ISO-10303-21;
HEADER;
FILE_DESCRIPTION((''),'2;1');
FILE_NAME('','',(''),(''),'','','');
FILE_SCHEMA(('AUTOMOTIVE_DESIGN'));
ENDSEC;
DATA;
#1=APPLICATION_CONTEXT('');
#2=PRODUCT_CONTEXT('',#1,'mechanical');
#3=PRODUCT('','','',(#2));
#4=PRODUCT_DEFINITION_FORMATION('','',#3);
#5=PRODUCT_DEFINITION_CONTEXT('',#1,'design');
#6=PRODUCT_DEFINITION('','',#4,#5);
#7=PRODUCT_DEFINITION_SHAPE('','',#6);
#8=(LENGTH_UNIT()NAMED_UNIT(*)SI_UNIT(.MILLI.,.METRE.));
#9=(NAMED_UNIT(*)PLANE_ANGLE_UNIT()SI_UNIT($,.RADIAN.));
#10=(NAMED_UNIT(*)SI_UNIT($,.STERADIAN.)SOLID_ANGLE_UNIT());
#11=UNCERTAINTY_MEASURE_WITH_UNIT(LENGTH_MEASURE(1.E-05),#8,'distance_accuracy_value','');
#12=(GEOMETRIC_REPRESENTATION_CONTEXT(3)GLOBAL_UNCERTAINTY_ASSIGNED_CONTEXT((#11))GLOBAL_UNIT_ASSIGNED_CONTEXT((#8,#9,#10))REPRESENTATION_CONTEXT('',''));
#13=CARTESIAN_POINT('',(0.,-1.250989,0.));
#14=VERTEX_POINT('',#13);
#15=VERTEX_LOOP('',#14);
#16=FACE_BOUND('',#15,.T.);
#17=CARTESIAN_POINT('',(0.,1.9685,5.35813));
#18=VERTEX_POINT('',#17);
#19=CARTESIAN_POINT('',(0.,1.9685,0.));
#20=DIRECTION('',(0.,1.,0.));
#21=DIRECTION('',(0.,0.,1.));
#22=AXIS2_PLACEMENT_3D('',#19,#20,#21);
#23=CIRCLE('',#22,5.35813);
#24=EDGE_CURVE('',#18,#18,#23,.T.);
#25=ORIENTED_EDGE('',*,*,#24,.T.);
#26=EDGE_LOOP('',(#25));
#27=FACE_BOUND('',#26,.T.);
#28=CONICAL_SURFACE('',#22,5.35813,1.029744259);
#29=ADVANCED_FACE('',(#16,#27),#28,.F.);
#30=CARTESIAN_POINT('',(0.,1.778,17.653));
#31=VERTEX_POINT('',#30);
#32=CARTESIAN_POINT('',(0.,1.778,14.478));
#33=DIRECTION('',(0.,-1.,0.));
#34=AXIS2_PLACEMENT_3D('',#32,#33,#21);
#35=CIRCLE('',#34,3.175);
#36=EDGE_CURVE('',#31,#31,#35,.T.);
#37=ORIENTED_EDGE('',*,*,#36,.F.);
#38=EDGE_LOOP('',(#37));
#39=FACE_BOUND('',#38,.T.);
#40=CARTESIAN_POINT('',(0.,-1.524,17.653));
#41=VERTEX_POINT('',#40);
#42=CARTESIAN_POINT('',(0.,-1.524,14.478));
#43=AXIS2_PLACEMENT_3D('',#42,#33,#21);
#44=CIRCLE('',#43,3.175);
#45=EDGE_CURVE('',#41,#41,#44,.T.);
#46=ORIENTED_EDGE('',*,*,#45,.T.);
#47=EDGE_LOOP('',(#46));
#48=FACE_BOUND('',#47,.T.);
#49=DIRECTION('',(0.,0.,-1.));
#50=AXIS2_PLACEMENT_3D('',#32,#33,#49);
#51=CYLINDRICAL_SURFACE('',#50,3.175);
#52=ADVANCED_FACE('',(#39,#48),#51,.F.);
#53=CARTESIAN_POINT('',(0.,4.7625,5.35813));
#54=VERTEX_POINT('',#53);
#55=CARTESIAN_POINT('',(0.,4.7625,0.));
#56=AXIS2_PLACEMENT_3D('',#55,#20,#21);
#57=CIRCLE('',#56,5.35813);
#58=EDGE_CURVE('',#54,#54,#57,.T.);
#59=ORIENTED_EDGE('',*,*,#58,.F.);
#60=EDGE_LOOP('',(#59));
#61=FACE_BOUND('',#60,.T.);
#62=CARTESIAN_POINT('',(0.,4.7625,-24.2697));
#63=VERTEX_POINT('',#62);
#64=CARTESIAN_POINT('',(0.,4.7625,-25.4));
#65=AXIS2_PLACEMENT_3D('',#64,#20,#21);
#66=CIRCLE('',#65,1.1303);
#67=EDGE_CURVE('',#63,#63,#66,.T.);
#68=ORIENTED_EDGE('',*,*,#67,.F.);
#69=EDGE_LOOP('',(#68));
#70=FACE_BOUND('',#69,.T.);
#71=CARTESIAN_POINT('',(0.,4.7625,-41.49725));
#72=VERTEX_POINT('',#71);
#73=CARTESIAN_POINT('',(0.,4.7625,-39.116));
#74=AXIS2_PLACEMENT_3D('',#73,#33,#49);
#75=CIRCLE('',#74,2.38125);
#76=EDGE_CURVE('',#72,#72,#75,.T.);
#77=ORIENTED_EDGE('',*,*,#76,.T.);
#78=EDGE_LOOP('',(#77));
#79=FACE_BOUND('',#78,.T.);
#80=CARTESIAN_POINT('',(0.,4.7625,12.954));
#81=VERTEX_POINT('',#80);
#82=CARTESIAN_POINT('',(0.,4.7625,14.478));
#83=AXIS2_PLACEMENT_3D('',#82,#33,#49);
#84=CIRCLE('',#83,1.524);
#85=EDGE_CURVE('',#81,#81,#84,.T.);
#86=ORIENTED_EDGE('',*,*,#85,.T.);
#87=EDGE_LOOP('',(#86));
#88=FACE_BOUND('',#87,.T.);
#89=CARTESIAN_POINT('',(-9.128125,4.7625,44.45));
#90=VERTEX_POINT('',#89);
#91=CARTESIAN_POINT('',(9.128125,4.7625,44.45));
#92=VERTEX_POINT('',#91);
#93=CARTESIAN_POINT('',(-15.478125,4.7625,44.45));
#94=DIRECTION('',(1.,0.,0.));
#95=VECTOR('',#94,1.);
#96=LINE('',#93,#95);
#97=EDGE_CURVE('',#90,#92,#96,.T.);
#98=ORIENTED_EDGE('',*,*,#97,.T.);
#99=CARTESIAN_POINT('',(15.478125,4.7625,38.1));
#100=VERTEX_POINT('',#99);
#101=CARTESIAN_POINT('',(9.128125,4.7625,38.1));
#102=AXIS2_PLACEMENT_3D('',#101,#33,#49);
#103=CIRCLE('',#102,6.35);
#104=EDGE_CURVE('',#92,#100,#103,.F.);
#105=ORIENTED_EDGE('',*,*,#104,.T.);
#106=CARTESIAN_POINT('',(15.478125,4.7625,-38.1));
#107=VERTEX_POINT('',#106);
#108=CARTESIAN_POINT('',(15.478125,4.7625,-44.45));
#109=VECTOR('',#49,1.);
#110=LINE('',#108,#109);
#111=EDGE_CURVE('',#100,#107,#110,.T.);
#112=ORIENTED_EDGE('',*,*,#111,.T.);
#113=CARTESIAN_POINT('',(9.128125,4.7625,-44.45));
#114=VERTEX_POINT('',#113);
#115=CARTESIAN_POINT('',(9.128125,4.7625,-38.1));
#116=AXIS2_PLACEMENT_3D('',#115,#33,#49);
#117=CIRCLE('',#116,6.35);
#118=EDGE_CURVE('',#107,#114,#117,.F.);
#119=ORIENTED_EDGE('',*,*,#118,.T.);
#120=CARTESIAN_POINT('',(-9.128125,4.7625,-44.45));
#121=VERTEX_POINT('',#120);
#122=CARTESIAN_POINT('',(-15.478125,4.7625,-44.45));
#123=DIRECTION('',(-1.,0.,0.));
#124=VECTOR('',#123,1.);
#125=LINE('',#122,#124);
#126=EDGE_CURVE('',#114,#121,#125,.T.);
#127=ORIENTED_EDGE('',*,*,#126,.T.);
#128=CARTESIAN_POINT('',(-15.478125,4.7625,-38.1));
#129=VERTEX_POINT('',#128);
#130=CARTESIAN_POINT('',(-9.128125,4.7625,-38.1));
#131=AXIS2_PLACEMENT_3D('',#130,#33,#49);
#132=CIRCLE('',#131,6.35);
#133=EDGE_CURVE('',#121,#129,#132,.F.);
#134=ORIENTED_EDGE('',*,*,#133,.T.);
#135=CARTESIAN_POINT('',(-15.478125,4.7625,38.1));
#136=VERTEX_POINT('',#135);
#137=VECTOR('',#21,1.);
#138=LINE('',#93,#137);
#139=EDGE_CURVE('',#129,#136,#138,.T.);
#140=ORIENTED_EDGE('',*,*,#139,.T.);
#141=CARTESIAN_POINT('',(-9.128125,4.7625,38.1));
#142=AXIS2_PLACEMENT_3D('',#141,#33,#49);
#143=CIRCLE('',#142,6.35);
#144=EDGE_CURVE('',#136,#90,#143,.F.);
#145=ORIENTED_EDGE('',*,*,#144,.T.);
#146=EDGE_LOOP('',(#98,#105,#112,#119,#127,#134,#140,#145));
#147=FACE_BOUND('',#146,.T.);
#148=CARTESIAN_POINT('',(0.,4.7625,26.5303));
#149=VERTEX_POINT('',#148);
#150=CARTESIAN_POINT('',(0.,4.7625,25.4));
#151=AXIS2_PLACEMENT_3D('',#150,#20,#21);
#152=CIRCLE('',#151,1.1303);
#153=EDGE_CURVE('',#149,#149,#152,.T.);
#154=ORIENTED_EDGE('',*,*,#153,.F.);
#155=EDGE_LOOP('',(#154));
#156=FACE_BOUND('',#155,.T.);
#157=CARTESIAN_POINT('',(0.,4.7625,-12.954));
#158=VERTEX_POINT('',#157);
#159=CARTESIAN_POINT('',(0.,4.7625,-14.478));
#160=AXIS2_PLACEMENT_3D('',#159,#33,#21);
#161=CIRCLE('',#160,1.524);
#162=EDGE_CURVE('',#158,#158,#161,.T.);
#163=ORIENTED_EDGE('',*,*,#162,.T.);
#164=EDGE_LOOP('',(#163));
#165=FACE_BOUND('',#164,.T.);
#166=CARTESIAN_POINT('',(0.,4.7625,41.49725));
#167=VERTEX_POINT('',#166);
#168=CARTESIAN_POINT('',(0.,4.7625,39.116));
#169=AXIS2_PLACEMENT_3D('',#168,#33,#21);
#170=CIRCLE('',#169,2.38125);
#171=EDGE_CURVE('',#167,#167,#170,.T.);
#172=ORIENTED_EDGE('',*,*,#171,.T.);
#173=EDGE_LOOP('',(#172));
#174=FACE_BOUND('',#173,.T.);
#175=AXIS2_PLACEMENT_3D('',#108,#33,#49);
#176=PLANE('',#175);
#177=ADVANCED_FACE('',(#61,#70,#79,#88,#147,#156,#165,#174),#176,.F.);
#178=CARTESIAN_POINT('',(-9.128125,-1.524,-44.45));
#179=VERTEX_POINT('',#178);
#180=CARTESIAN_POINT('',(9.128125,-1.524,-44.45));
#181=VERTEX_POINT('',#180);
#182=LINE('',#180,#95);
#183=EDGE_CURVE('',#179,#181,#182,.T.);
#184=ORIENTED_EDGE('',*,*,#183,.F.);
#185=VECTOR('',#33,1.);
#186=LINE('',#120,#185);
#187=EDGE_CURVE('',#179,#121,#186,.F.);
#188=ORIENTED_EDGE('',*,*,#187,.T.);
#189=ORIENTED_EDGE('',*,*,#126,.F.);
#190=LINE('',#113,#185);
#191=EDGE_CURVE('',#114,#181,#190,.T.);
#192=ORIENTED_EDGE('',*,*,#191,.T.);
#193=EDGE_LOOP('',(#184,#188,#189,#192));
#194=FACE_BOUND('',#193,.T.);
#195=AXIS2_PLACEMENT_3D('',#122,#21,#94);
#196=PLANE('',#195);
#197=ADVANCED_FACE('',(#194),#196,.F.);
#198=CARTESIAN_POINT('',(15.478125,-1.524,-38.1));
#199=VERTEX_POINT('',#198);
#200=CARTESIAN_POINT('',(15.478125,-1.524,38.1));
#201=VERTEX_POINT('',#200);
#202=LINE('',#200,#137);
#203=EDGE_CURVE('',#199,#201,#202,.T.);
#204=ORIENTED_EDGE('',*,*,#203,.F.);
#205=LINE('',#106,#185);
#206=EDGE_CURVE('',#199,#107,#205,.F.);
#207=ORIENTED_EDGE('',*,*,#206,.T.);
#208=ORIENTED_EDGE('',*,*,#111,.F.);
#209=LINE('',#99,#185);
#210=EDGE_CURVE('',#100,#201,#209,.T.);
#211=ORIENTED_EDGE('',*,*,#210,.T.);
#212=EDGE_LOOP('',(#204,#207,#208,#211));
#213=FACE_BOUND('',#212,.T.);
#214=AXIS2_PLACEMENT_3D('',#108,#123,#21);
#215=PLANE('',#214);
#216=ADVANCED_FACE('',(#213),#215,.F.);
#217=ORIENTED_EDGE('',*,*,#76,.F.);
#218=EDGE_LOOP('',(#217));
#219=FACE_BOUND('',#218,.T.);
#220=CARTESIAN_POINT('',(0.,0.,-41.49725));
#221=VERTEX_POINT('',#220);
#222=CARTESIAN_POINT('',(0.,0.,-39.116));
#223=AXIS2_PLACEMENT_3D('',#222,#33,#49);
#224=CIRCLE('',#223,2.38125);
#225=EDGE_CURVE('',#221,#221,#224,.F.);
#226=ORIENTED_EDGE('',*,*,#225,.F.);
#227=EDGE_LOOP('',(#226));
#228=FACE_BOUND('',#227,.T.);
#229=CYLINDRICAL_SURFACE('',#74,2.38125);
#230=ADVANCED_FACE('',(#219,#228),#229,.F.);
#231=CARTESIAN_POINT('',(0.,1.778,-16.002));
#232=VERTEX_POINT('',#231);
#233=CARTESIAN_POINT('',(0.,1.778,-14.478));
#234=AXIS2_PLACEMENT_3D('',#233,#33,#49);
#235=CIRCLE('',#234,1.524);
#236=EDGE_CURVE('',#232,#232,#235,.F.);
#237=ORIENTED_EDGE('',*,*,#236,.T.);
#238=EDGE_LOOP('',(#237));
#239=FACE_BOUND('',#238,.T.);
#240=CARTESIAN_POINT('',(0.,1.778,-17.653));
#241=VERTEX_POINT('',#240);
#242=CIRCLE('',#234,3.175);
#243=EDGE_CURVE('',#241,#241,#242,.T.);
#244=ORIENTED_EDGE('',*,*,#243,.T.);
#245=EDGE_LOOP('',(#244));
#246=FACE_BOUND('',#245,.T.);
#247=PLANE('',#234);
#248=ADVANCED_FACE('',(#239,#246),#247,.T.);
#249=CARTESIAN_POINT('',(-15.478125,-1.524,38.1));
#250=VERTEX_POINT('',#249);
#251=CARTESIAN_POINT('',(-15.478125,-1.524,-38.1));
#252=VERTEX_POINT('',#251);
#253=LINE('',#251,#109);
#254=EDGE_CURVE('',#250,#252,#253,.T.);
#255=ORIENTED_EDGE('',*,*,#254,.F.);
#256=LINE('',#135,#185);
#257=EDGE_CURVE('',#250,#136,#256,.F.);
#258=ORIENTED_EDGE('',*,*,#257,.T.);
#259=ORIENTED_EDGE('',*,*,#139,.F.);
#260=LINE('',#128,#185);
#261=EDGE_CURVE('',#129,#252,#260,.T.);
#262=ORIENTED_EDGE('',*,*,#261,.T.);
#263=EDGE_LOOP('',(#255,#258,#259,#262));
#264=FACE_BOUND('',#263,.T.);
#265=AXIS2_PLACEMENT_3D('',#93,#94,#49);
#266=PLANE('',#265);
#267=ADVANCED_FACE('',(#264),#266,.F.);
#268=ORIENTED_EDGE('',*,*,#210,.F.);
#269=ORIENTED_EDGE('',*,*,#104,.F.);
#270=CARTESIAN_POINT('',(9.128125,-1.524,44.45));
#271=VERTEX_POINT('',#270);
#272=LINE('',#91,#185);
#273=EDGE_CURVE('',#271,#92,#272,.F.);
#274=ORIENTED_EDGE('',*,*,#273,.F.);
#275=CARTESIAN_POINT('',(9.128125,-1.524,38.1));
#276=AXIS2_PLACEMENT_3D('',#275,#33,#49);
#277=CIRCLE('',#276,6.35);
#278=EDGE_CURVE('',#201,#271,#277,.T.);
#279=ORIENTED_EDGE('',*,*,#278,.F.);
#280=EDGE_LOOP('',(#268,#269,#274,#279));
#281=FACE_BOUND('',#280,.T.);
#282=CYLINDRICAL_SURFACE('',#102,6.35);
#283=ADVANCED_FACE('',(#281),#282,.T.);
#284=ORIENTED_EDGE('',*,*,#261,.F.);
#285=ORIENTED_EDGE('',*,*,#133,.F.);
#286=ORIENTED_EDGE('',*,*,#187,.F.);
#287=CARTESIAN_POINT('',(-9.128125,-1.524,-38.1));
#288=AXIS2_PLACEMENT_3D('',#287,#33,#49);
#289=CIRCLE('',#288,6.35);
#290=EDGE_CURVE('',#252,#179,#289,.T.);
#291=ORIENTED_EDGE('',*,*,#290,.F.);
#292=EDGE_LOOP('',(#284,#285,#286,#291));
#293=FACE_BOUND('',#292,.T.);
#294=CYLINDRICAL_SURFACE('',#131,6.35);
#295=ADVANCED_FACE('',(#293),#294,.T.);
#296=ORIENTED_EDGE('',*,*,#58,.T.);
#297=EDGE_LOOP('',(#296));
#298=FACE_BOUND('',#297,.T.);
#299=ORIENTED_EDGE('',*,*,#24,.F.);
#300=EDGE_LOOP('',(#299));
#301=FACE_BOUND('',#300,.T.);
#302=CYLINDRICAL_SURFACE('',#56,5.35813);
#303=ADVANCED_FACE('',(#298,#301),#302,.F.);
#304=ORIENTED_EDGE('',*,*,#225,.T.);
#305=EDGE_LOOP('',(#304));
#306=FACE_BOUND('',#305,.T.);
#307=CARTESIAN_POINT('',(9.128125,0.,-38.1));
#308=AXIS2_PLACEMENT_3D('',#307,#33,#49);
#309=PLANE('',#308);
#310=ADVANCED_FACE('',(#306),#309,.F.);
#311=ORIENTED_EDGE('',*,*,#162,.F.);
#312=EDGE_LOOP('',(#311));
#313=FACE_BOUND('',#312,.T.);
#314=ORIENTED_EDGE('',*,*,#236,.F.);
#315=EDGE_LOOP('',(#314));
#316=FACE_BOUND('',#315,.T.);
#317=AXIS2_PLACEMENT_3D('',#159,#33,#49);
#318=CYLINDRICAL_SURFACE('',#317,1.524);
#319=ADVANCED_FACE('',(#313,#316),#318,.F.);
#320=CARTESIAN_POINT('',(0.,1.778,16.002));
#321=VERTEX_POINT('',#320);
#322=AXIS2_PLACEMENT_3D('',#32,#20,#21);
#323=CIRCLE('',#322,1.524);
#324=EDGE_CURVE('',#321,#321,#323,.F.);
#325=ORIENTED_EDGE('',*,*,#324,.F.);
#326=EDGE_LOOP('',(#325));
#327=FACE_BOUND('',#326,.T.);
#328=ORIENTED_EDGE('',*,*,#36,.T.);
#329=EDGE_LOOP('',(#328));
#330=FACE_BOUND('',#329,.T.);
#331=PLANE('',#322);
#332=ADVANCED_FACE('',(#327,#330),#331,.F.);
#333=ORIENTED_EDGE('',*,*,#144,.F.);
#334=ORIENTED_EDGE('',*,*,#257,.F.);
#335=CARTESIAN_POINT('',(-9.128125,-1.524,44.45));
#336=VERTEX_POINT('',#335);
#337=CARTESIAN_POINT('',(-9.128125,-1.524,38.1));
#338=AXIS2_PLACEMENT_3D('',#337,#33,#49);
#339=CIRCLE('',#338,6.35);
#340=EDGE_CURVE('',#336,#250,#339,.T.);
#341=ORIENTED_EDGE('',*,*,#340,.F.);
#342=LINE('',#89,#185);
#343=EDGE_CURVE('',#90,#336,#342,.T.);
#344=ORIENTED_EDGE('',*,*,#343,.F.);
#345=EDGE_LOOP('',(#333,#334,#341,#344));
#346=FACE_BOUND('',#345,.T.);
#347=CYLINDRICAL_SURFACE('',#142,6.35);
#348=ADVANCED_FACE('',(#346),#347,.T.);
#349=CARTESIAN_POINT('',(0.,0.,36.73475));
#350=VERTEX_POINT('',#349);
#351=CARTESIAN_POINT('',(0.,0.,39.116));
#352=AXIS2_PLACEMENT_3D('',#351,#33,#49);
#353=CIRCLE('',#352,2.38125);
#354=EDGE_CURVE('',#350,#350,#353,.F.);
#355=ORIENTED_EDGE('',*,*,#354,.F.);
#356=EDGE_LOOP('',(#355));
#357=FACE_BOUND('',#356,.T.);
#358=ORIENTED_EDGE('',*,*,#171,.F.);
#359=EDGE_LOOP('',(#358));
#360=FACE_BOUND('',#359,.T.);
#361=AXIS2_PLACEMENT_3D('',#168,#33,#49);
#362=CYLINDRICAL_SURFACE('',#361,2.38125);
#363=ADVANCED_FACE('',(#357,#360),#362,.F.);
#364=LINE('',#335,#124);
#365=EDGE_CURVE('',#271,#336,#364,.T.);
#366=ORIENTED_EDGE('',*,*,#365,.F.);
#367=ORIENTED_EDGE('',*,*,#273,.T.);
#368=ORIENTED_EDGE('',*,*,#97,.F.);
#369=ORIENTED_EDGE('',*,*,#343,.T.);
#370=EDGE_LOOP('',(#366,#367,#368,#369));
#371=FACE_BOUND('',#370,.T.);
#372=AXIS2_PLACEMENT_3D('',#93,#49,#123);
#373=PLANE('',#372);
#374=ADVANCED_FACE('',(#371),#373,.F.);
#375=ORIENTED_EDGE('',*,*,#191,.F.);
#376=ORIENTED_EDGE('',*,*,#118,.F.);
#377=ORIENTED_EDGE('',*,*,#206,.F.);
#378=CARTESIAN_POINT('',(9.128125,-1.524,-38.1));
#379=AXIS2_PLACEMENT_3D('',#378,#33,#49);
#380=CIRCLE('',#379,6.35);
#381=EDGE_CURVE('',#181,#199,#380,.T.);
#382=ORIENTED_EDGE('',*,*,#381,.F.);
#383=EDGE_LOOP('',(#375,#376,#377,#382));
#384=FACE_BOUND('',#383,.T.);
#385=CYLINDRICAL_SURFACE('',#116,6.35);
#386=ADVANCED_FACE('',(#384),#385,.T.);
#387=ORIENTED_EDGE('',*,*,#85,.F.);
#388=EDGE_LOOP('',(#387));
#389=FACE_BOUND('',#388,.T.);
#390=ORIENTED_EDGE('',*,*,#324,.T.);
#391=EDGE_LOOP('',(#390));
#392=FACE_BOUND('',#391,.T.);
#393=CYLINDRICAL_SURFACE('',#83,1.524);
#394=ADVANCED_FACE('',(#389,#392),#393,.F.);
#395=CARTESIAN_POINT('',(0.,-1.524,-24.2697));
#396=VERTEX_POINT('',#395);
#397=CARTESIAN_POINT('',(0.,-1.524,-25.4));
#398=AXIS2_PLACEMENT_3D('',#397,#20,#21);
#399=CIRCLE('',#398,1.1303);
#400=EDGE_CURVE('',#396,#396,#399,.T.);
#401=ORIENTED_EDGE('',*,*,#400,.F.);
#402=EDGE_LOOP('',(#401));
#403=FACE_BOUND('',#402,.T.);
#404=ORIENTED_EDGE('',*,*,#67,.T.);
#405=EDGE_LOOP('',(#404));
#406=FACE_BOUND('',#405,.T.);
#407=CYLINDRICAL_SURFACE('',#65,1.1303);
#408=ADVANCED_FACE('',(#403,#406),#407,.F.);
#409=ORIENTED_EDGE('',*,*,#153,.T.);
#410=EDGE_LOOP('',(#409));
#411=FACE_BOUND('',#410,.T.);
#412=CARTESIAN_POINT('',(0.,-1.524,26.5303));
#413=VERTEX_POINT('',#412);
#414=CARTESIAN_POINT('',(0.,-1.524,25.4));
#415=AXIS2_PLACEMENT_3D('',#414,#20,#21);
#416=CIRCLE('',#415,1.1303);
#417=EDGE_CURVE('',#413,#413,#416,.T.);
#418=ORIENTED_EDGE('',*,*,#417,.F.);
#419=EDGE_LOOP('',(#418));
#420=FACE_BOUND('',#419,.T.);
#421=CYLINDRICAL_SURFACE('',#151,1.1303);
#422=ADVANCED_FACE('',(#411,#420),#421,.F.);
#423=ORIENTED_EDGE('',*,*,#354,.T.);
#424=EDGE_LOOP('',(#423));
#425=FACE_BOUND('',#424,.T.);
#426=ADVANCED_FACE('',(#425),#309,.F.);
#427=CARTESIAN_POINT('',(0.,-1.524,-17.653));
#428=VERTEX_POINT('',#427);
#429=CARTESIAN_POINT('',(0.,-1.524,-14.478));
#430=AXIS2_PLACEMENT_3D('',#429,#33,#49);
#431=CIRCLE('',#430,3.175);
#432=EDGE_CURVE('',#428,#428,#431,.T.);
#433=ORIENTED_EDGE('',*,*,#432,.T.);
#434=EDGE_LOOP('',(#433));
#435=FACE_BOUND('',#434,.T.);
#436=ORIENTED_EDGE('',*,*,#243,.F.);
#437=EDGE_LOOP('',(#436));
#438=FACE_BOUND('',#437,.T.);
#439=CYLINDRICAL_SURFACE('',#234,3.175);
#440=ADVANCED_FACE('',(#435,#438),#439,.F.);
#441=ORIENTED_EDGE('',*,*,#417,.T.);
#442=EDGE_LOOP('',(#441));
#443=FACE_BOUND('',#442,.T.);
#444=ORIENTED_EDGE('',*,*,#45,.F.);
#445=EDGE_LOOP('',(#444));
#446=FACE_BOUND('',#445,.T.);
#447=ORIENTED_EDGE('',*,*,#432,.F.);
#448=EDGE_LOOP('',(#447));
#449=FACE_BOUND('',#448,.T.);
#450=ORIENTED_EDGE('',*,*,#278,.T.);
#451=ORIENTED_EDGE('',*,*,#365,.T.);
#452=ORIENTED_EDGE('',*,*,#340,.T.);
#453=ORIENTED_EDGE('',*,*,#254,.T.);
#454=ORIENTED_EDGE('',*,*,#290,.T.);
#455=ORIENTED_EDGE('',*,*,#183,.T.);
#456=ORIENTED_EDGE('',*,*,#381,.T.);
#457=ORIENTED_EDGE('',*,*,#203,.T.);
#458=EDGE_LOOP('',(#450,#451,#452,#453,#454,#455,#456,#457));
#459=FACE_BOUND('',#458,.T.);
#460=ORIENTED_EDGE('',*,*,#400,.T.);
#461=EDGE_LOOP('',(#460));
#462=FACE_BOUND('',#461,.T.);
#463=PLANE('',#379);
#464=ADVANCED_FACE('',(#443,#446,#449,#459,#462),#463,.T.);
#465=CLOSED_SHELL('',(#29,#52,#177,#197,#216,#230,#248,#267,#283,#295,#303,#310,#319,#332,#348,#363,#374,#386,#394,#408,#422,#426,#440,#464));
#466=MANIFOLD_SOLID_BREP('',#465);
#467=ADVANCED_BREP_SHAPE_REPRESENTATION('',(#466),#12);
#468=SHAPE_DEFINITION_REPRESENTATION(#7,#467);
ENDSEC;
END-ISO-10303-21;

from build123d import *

# Parameters (mm, degrees)
SKETCH1_W                   = 30.95625
SKETCH1_H                   = 88.9
BOSS_EXTRUDE1_DEPTH         = 4.7625
FILLET1_R                   = 6.35
SKETCH6_R                   = 1.524
CUT_EXTRUDE1_DEPTH          = 5.7625
SKETCH7_R                   = 2.38125
CUT_EXTRUDE2_DEPTH          = 5.7625
BOSS_EXTRUDE3_DEPTH         = 1.524
F_4_40_TAPPED_HOLE1_D       = 2.2606
SKETCH10_R                  = 1.524
CUT_EXTRUDE3_DEPTH          = 2.524
SKETCH11_R                  = 3.175
CUT_EXTRUDE4_DEPTH          = 3.302
F_1_2_13_TAPPED_HOLE2_D     = 10.71626
F_1_2_13_TAPPED_HOLE2_DEPTH = 2.794
F_1_2_13_TAPPED_HOLE2_TIP   = 3.219489309


with BuildPart() as part:
    # Sketch1 → Boss-Extrude1 (new body)
    with BuildSketch(Plane(origin=(0, 0, 0), x_dir=(1, 0, 0), z_dir=(0, 1, 0))):
        Rectangle(SKETCH1_W, SKETCH1_H)
    extrude(amount=BOSS_EXTRUDE1_DEPTH)

    # Fillet1
    fillet1_edges = [part.edges().sort_by_distance(p)[0] for p in [
        (15.478125, 2.38125, -44.45),
        (15.478125, 2.38125, 44.45),
        (-15.478125, 2.38125, 44.45),
        (-15.478125, 2.38125, -44.45),
    ]]
    fillet(fillet1_edges, radius=FILLET1_R)

    # Sketch6 → Cut-Extrude1 (cut, through all)
    with BuildSketch(Plane.XZ):
        with Locations((0, 14.478)):
            Circle(SKETCH6_R)
        with Locations((0, -14.478)):
            Circle(SKETCH6_R)
    extrude(amount=-CUT_EXTRUDE1_DEPTH, mode=Mode.SUBTRACT)

    # Sketch7 → Cut-Extrude2 (cut, through all)
    with BuildSketch(Plane.XZ):
        with Locations((0, -39.116)):
            Circle(SKETCH7_R)
        with Locations((0, 39.116)):
            Circle(SKETCH7_R)
    extrude(amount=-CUT_EXTRUDE2_DEPTH, mode=Mode.SUBTRACT)

    # Sketch9 → Boss-Extrude3 (add)
    with BuildSketch(Plane.XZ):
        with BuildLine():
            Line((9.128125, -44.45), (-9.128125, -44.45))
            ThreePointArc((-9.128125, -44.45), (-13.618253061, -42.590128061), (-15.478125, -38.1))
            Line((-15.478125, -38.1), (-15.478125, 38.1))
            ThreePointArc((-15.478125, 38.1), (-13.618253061, 42.590128061), (-9.128125, 44.45))
            Line((-9.128125, 44.45), (9.128125, 44.45))
            ThreePointArc((9.128125, 44.45), (13.618253061, 42.590128061), (15.478125, 38.1))
            Line((15.478125, 38.1), (15.478125, -38.1))
            ThreePointArc((15.478125, -38.1), (13.618253061, -42.590128061), (9.128125, -44.45))
        make_face()
    extrude(amount=BOSS_EXTRUDE3_DEPTH)

    # #4-40 Tapped Hole1 (through all)
    with Locations(Plane(origin=(0, 4.7625, 0), x_dir=(-1, 0, 0), z_dir=(0, 1, 0))):
        with Locations((0, 25.4), (0, -25.4)):
            Hole(F_4_40_TAPPED_HOLE1_D / 2)

    # Sketch10 → Cut-Extrude3 (cut, through all)
    with BuildSketch(Plane(origin=(0, 0, 0), x_dir=(1, 0, 0), z_dir=(0, 1, 0))):
        with Locations((0, -14.478)):
            Circle(SKETCH10_R)
        with Locations((0, 14.478)):
            Circle(SKETCH10_R)
    extrude(amount=-CUT_EXTRUDE3_DEPTH, mode=Mode.SUBTRACT)

    # Sketch11 → Cut-Extrude4 (cut)
    with BuildSketch(Plane.XZ.offset(1.524)):
        with Locations((0, -14.478)):
            Circle(SKETCH11_R)
        with Locations((0, 14.478)):
            Circle(SKETCH11_R)
    extrude(amount=-CUT_EXTRUDE4_DEPTH, mode=Mode.SUBTRACT)

    # 1/2-13 Tapped Hole2
    with Locations(Plane(origin=(0, 4.7625, 0), x_dir=(-1, 0, 0), z_dir=(0, 1, 0))):
        with Locations((0, 0)):
            Hole(F_1_2_13_TAPPED_HOLE2_D / 2, depth=F_1_2_13_TAPPED_HOLE2_DEPTH)
            with Locations((0, 0, -(F_1_2_13_TAPPED_HOLE2_DEPTH + F_1_2_13_TAPPED_HOLE2_TIP / 2))):  # 118° drill point
                Cone(0, F_1_2_13_TAPPED_HOLE2_D / 2, F_1_2_13_TAPPED_HOLE2_TIP, mode=Mode.SUBTRACT)


solid = part.part
